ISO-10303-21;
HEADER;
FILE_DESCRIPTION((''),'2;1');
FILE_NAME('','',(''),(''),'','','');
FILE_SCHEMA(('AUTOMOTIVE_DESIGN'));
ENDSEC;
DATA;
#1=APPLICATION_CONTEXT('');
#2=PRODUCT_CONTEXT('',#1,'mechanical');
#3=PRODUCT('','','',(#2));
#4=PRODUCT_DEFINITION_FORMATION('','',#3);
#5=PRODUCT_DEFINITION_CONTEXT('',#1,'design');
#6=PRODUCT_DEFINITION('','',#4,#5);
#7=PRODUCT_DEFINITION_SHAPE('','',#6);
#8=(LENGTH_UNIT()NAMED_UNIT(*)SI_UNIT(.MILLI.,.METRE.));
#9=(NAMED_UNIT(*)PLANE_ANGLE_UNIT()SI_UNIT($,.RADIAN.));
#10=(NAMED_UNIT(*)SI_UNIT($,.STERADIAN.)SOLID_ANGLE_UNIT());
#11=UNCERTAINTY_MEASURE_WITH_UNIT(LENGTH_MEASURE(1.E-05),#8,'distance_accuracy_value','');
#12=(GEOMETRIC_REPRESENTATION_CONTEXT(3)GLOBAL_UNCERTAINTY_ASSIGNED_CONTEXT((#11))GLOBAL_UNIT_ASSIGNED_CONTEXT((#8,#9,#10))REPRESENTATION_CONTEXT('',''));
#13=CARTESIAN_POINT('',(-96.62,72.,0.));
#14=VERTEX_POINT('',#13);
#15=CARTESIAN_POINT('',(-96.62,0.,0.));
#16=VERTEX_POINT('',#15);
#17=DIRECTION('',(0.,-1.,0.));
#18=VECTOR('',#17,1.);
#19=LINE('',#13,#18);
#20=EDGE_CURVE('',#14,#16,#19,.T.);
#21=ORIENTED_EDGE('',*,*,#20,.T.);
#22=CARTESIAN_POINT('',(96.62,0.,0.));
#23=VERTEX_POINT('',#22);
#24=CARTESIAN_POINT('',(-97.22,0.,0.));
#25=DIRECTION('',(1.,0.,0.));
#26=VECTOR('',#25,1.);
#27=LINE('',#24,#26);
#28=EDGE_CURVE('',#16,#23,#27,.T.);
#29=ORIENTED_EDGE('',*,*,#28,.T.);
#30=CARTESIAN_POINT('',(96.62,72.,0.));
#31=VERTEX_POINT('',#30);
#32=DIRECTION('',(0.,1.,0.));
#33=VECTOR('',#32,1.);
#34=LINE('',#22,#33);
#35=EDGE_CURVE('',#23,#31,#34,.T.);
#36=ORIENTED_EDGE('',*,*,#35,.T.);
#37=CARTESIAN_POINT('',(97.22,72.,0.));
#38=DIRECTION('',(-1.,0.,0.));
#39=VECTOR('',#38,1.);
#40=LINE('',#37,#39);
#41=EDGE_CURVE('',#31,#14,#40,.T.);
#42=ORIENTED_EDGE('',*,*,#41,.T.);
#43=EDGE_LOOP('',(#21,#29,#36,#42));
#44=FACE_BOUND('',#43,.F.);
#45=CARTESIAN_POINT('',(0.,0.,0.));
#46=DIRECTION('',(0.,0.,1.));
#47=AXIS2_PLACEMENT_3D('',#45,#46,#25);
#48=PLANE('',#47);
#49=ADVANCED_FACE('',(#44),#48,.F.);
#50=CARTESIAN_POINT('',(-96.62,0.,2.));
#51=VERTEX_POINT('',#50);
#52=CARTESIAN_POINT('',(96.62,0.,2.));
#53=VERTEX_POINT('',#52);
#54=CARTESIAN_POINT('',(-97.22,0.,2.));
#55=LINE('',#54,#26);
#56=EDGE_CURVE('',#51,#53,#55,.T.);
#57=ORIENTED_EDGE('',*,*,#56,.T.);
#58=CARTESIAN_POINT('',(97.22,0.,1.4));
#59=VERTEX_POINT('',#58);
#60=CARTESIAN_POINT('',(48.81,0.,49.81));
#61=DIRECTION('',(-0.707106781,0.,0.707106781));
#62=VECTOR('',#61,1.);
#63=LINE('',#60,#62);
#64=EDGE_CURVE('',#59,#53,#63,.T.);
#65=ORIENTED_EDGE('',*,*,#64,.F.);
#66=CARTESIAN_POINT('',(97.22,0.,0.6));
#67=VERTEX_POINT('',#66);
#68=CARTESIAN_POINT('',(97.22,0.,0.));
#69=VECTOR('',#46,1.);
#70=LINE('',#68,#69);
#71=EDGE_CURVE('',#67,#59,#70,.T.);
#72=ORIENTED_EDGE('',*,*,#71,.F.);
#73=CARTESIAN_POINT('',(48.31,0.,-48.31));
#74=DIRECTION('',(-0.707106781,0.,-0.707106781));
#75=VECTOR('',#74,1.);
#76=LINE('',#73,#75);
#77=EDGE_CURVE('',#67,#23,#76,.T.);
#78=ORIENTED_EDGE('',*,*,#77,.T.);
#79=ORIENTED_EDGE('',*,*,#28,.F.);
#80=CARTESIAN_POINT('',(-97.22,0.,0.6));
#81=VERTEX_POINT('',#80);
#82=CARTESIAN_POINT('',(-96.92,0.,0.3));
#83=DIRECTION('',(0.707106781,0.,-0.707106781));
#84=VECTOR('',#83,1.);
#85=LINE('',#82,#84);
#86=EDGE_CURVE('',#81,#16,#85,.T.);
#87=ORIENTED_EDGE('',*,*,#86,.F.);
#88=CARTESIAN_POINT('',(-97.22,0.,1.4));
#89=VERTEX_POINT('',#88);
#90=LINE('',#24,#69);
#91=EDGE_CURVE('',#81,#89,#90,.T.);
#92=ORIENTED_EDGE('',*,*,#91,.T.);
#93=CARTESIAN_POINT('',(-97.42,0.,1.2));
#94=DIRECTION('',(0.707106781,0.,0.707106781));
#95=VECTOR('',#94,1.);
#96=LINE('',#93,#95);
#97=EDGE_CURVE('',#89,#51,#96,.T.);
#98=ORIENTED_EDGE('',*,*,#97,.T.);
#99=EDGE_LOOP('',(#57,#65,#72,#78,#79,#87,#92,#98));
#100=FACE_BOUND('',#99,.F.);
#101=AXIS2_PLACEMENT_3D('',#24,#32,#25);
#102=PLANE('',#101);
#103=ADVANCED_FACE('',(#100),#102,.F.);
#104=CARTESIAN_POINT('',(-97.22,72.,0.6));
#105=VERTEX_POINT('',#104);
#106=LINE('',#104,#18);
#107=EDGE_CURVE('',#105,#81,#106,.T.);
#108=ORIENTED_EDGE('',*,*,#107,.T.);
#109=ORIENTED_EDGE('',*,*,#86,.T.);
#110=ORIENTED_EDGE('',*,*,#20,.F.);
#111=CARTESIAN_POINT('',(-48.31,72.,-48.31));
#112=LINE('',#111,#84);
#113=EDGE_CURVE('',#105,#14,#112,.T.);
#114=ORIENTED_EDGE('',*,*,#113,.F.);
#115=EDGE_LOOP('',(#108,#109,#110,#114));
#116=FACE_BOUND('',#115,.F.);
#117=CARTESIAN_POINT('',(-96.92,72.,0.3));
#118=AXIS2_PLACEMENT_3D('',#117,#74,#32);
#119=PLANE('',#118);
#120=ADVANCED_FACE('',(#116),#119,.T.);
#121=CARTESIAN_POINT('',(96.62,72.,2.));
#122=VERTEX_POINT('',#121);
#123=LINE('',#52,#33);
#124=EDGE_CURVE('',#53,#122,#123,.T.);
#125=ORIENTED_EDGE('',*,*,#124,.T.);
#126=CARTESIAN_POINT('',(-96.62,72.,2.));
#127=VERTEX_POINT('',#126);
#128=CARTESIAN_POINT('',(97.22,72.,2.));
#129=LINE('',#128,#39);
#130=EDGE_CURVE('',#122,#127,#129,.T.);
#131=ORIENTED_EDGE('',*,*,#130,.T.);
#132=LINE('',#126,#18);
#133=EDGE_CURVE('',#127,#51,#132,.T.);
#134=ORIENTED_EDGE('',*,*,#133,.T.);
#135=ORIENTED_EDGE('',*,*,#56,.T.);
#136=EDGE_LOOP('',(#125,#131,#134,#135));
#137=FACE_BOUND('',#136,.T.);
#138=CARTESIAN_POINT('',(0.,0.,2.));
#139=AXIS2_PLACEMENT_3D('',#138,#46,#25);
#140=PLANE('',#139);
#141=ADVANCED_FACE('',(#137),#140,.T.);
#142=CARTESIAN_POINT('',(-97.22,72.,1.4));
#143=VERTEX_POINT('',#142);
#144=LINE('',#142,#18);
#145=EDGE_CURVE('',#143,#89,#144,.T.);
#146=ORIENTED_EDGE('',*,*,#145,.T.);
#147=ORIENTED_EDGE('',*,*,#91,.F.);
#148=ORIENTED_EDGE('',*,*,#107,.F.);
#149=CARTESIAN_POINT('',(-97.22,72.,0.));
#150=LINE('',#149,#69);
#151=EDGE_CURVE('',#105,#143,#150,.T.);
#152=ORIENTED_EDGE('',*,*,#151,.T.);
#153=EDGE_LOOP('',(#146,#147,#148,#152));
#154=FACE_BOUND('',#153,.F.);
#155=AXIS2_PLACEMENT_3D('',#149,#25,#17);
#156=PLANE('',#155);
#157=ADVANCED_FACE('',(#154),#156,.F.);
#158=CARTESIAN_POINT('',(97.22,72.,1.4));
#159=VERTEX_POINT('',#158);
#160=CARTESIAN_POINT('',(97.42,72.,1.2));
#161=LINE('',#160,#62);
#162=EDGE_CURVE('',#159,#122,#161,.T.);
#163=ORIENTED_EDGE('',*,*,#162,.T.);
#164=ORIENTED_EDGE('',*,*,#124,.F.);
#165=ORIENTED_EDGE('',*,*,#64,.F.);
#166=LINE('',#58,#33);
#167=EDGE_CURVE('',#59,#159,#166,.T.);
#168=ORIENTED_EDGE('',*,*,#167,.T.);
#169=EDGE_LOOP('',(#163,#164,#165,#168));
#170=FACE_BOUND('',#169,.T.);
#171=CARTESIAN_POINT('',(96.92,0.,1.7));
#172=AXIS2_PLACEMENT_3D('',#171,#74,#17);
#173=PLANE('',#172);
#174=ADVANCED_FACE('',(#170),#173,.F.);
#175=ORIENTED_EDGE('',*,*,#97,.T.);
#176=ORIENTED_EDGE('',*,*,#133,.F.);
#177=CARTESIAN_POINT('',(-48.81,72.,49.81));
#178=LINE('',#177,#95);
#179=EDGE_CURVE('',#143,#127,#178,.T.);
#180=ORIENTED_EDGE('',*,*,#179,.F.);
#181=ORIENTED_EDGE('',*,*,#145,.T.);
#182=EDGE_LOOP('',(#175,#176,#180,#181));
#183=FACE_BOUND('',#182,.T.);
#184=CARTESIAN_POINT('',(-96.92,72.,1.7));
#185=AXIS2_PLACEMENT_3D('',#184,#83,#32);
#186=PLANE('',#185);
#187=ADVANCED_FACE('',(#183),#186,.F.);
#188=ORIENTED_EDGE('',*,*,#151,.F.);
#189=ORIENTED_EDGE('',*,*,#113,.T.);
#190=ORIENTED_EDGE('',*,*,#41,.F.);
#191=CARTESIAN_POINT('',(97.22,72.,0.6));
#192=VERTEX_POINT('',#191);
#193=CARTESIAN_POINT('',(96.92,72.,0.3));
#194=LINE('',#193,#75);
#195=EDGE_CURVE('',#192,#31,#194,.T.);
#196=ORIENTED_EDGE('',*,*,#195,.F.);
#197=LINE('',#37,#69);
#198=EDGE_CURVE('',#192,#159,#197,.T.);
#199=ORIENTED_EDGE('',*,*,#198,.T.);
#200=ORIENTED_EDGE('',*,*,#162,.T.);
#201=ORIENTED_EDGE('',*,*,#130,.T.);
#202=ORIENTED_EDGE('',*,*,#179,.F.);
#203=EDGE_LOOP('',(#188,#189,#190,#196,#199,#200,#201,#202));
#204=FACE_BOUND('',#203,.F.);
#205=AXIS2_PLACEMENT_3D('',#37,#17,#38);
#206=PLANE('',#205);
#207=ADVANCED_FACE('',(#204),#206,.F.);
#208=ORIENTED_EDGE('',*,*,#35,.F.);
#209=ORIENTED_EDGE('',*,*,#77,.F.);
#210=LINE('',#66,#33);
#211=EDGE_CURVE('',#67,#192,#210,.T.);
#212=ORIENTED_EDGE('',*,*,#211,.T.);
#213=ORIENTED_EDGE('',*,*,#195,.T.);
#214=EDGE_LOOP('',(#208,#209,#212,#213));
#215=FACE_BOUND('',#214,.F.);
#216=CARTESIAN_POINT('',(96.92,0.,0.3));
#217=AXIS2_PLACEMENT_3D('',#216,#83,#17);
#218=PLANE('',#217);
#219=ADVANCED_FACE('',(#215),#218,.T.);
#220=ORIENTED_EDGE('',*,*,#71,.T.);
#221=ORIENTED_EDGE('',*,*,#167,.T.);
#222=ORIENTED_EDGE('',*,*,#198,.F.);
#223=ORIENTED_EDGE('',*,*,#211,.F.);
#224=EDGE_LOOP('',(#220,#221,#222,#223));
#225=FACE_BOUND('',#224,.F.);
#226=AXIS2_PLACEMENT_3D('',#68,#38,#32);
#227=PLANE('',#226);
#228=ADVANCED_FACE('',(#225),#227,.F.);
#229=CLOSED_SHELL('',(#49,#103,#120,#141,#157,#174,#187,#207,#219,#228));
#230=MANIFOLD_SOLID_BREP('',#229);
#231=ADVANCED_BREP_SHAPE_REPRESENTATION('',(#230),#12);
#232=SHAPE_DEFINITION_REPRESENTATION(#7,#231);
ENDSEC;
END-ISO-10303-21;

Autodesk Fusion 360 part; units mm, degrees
sketch "Panel outline" plane through (0, 0, 0) normal (0, 0, 1) x (1, 0, 0)
  line L0 (-97.22, 0) -> (97.22, 0)
  line L1 (97.22, 0) -> (97.22, 72)
  line L2 (97.22, 72) -> (-97.22, 72)
  line L3 (-97.22, 72) -> (-97.22, 0)
extrude "Panel" add sketch "Panel outline" along normal blind 2
chamfer "Groove lead-in" distance 0.6 angle 45 4 edges at (97.22, 36, 0) (97.22, 36, 2) (-97.22, 36, 0) (-97.22, 36, 2)
